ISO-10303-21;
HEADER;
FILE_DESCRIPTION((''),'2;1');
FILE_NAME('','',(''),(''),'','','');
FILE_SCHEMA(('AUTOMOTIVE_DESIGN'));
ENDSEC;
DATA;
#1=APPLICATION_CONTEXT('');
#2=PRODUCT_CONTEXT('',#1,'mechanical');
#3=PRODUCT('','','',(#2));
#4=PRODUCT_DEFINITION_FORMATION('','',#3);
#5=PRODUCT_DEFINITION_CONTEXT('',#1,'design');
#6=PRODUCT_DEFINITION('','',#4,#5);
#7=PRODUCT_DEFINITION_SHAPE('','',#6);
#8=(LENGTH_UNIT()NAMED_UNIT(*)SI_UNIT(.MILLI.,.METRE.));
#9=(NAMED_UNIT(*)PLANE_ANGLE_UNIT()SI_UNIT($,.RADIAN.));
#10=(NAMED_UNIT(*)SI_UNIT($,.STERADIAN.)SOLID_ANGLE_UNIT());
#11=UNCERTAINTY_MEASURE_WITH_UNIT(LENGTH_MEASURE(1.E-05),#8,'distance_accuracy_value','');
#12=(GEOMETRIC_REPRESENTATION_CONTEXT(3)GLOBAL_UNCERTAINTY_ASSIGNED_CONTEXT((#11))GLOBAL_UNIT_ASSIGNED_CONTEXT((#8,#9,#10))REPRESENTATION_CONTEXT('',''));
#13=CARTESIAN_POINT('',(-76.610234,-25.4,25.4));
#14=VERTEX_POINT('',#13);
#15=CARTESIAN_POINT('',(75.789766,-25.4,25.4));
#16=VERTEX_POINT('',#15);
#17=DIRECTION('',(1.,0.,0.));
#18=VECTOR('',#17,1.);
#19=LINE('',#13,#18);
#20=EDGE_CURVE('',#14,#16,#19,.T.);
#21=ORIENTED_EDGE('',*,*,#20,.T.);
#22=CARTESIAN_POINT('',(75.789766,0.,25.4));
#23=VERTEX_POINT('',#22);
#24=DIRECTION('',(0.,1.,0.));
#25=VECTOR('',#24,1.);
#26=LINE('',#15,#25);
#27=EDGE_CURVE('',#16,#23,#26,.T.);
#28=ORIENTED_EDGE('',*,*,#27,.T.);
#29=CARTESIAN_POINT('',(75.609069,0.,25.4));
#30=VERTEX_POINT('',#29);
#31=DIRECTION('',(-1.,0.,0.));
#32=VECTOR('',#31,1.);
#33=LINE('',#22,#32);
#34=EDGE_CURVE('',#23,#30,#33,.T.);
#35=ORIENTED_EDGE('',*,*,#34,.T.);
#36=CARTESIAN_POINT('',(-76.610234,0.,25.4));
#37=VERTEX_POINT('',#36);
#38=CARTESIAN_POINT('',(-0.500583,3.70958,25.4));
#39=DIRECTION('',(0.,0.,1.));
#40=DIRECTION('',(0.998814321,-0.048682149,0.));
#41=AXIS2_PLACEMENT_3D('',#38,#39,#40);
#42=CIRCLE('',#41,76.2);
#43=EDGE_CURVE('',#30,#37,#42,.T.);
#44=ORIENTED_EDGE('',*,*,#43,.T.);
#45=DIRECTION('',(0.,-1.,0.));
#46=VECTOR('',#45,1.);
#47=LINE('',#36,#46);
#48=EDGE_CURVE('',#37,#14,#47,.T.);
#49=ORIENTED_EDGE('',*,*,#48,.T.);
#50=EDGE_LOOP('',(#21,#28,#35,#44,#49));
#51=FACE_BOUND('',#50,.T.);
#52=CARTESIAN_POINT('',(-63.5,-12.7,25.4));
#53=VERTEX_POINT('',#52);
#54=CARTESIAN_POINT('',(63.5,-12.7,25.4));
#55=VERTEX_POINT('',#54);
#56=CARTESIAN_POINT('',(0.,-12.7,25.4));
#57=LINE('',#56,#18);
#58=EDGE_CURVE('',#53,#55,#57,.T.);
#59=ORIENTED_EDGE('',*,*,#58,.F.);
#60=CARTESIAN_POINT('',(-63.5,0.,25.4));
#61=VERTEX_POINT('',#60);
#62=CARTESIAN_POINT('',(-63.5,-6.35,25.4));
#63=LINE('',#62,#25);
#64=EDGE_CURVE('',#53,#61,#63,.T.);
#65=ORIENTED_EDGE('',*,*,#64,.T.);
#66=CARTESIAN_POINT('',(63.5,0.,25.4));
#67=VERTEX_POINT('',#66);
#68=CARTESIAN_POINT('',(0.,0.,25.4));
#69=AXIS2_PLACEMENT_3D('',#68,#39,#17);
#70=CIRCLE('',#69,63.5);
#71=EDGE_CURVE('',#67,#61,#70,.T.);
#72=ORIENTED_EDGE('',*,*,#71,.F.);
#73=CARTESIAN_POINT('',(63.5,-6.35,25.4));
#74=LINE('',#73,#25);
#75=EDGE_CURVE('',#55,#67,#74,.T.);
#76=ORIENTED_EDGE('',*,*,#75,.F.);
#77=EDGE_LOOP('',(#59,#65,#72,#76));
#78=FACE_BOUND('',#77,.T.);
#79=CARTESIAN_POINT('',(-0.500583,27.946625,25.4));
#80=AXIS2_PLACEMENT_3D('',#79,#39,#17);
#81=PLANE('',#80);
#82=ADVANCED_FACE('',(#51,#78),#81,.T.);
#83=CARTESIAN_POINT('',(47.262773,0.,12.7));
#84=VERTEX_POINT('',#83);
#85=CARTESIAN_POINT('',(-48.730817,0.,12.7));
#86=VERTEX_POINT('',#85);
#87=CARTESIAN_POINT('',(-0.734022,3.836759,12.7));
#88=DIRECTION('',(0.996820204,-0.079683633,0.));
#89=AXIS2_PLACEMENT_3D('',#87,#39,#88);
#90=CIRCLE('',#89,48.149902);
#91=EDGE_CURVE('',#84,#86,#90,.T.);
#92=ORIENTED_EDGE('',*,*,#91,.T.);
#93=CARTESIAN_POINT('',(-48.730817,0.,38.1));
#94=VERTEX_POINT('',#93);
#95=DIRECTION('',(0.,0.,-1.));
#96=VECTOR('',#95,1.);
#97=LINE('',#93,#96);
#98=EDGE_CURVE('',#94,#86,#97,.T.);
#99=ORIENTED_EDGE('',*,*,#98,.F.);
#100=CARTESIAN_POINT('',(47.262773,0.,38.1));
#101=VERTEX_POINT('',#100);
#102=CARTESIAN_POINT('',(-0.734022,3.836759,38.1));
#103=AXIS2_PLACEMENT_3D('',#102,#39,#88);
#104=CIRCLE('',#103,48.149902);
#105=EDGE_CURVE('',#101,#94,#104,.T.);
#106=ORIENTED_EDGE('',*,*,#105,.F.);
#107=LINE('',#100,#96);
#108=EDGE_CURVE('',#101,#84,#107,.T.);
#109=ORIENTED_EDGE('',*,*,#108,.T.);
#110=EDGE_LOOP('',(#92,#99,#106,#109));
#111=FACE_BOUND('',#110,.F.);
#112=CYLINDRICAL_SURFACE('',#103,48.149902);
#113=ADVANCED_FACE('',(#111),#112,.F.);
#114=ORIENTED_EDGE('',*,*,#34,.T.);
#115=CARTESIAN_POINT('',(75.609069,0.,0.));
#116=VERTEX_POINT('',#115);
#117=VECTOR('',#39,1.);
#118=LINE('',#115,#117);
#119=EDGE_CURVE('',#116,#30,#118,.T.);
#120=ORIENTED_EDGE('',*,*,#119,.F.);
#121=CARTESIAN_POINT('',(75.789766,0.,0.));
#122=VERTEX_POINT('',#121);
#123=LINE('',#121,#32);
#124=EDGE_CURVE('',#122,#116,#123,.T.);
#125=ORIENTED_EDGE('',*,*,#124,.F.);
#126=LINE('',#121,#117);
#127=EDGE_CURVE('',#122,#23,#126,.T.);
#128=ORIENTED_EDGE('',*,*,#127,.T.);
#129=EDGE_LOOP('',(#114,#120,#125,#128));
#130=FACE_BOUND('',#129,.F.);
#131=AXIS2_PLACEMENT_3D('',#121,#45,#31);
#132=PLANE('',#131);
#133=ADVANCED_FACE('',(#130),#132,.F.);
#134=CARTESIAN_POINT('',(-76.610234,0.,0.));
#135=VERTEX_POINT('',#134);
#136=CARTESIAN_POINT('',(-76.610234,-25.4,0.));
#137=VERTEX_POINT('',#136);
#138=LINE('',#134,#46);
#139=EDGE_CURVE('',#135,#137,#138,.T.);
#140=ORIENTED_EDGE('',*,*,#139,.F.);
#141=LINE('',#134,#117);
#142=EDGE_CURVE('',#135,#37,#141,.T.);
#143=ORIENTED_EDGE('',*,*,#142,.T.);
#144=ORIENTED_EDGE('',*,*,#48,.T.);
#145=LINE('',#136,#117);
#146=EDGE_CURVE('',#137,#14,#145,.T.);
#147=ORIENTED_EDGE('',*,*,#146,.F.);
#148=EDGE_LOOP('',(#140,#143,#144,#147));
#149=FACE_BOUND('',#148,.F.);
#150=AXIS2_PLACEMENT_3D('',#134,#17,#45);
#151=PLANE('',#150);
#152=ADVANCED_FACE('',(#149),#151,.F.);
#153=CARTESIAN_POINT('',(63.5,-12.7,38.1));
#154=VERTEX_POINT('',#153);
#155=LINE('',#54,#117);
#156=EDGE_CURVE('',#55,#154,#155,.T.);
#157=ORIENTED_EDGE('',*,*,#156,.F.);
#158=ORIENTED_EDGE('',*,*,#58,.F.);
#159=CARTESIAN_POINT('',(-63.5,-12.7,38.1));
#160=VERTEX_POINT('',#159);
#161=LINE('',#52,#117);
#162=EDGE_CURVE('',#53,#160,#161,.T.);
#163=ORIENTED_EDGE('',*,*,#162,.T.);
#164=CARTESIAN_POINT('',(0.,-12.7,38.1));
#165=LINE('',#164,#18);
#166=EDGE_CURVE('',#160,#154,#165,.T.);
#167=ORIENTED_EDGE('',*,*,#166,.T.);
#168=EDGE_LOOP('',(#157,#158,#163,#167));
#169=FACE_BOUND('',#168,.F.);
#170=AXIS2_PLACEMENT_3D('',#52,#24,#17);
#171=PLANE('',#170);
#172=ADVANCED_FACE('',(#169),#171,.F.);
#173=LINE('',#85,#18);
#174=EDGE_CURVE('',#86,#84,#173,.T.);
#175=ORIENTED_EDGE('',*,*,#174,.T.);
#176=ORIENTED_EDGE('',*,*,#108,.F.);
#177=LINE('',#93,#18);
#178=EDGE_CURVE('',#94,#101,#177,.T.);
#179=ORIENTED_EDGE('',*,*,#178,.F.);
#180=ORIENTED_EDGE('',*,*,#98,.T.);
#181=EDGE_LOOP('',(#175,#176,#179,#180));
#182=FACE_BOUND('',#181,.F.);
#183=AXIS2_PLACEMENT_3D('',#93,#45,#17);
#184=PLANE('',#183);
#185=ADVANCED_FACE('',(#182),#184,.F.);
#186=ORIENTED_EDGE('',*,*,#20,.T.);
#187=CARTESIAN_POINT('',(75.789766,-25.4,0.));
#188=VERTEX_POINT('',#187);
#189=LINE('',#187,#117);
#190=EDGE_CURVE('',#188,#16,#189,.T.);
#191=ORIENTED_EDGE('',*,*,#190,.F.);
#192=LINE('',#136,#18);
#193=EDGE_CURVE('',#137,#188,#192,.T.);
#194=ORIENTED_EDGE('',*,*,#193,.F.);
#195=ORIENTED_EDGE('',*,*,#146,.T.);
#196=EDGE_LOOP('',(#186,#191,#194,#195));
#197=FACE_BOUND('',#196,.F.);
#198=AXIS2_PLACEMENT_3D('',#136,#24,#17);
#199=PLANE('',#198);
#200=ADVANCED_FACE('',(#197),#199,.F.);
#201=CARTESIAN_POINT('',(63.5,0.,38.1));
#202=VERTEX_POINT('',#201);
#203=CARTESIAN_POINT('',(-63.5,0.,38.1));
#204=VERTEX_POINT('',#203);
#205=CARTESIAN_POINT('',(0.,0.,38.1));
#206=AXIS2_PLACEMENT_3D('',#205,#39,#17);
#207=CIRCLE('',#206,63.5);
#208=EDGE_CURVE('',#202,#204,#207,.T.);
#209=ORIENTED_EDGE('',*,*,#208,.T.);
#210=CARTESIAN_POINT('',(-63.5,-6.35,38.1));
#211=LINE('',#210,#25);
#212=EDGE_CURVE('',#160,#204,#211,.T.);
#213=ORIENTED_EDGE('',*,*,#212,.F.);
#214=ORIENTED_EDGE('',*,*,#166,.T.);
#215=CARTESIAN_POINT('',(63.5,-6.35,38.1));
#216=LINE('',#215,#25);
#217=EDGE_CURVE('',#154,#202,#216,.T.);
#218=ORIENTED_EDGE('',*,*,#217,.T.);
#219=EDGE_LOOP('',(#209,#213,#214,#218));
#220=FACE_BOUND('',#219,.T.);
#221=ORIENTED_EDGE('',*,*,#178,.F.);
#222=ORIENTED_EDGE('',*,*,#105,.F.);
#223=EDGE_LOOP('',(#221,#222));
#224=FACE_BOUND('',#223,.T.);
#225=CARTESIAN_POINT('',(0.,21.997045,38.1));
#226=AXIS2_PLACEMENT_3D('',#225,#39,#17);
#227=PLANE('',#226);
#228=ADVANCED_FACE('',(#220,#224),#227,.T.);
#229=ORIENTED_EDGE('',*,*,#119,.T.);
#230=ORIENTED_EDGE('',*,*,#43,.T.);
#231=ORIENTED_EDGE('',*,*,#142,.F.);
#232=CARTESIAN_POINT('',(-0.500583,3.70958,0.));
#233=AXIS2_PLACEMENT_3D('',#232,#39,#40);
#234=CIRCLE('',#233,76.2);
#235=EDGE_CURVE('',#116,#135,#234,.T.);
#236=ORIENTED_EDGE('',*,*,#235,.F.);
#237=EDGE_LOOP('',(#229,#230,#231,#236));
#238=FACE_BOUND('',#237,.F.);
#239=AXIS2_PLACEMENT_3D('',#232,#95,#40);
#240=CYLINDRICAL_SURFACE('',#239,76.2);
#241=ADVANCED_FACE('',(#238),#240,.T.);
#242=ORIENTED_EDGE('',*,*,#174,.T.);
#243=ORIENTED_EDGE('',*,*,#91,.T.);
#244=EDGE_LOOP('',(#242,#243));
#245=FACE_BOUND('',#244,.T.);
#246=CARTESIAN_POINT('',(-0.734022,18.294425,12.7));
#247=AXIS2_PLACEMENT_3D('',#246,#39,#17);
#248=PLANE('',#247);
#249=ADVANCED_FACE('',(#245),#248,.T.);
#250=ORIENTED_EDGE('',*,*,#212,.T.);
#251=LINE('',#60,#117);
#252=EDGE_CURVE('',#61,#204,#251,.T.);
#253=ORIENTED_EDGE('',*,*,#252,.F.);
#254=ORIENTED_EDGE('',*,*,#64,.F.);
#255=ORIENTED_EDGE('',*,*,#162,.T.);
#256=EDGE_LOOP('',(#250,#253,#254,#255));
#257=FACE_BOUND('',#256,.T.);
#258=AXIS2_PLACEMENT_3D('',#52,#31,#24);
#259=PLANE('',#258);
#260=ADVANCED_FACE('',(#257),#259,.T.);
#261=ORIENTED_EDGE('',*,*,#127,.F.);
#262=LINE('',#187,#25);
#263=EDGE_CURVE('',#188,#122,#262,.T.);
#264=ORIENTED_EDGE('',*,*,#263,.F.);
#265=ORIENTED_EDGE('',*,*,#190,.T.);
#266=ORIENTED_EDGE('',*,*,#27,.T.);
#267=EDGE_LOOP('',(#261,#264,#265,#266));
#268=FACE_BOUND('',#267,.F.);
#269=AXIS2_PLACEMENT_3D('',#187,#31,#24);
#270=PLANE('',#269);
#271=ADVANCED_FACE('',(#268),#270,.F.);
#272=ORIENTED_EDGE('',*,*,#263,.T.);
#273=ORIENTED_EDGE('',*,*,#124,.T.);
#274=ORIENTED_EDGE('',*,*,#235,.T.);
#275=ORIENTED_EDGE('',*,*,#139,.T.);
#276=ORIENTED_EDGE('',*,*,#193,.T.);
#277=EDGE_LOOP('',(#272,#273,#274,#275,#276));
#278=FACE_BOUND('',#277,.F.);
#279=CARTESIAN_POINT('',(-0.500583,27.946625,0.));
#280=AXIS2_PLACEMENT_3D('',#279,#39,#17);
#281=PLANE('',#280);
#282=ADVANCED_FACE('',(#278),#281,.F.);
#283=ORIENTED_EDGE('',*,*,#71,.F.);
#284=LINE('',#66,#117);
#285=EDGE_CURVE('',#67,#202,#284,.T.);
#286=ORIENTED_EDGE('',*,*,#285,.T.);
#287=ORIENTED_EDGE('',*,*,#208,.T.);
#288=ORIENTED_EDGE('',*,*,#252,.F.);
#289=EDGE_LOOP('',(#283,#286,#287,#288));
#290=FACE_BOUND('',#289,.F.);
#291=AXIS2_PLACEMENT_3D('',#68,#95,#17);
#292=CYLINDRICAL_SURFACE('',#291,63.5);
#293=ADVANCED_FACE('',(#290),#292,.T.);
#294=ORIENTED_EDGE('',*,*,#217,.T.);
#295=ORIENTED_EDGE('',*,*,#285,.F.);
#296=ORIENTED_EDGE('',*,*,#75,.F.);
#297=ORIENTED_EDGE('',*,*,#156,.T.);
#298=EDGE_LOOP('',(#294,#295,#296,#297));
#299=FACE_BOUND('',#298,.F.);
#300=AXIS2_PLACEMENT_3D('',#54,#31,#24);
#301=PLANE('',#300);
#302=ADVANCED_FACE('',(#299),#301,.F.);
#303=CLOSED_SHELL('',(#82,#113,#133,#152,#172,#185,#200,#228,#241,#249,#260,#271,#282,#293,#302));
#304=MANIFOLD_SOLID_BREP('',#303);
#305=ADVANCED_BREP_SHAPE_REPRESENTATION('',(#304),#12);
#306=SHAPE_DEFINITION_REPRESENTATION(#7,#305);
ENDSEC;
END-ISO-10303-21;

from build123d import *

# Parameters (mm, degrees)
F1_DEPTH = 25.4
F2_W     = 127
F2_H     = 12.7
F3_DEPTH = 12.7
F5_DEPTH = 25.4


with BuildPart() as f1:
    # F0 (on Top) → F1 (new body)
    with BuildSketch(Plane.XY):
        with BuildLine():
            Line((-76.610234, 0), (75.609069, 0))
            ThreePointArc((75.609069, 0), (-0.500583, 79.90958), (-76.610234, 0))
        make_face()
        Polygon((75.789766, 0), (75.609069, 0), (-76.610234, 0), (-76.610234, -25.4), (75.789766, -25.4), align=None)
    extrude(amount=F1_DEPTH)

    # F2 (on face) → F3 (join)
    with BuildSketch(Plane.XY.offset(25.4)):
        with BuildLine():
            Line((-63.5, 0), (63.5, 0))
            ThreePointArc((63.5, 0), (0, 63.5), (-63.5, 0))
        make_face()
        with Locations((0, -6.35)):
            Rectangle(F2_W, F2_H)
    extrude(amount=F3_DEPTH)

    # F4 (on face) → F5 (cut)
    with BuildSketch(Plane.XY.offset(38.1)):
        with BuildLine():
            Line((-48.730817, 0), (47.262773, 0))
            ThreePointArc((47.262773, 0), (-0.734022, 51.986661), (-48.730817, 0))
        make_face()
    extrude(amount=-F5_DEPTH, mode=Mode.SUBTRACT)


solid = f1.part
